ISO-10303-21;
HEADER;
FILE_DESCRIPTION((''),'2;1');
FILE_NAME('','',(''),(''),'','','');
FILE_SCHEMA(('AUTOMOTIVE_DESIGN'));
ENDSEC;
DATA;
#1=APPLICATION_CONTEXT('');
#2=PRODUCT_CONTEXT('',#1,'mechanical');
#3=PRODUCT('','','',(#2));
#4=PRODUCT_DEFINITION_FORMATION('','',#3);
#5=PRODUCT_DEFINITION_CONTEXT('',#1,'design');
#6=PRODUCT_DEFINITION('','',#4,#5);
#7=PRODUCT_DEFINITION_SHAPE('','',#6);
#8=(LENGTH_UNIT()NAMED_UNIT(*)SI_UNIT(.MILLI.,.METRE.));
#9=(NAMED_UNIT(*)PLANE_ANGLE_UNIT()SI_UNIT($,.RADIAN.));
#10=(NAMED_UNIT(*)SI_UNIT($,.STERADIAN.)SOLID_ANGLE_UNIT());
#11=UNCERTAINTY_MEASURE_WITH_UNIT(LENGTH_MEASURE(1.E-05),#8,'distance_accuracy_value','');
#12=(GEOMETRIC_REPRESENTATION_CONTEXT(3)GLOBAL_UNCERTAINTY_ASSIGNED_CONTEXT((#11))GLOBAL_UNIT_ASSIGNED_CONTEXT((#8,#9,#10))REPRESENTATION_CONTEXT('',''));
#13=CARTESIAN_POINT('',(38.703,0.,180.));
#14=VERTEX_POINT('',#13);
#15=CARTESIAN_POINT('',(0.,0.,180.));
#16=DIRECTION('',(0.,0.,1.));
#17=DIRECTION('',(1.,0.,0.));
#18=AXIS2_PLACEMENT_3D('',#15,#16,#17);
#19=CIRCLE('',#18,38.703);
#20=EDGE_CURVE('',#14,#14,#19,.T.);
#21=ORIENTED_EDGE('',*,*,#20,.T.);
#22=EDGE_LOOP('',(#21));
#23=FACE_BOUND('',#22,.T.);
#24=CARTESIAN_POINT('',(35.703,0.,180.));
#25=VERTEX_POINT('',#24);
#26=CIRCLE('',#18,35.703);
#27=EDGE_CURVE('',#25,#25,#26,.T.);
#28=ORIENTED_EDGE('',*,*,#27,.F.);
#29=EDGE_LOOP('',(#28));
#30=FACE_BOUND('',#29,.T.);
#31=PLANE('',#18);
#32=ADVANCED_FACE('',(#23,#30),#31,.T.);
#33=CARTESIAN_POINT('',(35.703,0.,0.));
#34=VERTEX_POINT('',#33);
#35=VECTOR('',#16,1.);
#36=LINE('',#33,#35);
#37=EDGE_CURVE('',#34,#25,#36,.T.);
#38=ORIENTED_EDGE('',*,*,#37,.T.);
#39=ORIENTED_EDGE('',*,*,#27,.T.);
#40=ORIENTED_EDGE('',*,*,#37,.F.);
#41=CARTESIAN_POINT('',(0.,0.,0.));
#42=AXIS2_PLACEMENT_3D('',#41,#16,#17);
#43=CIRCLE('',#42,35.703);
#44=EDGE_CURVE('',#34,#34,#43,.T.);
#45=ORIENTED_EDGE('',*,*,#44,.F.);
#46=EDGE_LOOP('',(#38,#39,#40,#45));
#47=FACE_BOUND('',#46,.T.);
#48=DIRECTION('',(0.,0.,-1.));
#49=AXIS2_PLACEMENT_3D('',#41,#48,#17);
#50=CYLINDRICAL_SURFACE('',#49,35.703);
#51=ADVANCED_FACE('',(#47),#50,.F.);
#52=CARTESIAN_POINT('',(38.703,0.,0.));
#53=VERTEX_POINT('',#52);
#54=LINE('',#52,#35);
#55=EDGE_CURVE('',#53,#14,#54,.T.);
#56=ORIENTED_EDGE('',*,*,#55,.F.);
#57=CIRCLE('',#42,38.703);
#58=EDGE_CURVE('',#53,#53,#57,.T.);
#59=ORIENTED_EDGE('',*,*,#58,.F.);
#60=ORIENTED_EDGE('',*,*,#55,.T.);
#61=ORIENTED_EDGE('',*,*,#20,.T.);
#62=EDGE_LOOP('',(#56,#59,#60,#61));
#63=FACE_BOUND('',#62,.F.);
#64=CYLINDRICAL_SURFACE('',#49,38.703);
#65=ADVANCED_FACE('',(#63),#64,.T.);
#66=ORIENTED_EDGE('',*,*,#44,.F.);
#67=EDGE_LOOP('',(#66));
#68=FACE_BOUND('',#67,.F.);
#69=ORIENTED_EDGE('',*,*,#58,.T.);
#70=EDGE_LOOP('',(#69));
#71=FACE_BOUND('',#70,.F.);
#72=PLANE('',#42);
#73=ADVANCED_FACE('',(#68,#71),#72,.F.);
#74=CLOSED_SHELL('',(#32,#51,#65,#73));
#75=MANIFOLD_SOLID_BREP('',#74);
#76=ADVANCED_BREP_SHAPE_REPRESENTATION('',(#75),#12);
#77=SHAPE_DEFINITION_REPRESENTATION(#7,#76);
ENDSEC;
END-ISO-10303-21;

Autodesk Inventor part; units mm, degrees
ref_plane "YZ Plane" through (0, 0, 0) normal (1, 0, 0) x (0, 1, 0)
ref_plane "XZ Plane" through (0, 0, 0) normal (0, 1, 0) x (-1, 0, 0)
ref_plane "XY Plane" through (0, 0, 0) normal (0, 0, 1) x (1, 0, 0)
sketch "Sketch1" plane through (0, 0, 0) normal (0, 0, 1) x (1, 0, 0)
  circle A0 centre (0, 0) radius 38.703
  circle A1 centre (0, 0) radius 35.703
  dimension "d0" = 77.406
  dimension "d1" = 71.406
extrude "Extrusion1" add sketch "Sketch1" along normal blind 180
thread "Thread1" size "M16x2" class "6g" standard "ANSI Metric M Profile" full length
properties part number "4111_Bias_Coil_Layer3_MPSv2_v1" material "Copper"
